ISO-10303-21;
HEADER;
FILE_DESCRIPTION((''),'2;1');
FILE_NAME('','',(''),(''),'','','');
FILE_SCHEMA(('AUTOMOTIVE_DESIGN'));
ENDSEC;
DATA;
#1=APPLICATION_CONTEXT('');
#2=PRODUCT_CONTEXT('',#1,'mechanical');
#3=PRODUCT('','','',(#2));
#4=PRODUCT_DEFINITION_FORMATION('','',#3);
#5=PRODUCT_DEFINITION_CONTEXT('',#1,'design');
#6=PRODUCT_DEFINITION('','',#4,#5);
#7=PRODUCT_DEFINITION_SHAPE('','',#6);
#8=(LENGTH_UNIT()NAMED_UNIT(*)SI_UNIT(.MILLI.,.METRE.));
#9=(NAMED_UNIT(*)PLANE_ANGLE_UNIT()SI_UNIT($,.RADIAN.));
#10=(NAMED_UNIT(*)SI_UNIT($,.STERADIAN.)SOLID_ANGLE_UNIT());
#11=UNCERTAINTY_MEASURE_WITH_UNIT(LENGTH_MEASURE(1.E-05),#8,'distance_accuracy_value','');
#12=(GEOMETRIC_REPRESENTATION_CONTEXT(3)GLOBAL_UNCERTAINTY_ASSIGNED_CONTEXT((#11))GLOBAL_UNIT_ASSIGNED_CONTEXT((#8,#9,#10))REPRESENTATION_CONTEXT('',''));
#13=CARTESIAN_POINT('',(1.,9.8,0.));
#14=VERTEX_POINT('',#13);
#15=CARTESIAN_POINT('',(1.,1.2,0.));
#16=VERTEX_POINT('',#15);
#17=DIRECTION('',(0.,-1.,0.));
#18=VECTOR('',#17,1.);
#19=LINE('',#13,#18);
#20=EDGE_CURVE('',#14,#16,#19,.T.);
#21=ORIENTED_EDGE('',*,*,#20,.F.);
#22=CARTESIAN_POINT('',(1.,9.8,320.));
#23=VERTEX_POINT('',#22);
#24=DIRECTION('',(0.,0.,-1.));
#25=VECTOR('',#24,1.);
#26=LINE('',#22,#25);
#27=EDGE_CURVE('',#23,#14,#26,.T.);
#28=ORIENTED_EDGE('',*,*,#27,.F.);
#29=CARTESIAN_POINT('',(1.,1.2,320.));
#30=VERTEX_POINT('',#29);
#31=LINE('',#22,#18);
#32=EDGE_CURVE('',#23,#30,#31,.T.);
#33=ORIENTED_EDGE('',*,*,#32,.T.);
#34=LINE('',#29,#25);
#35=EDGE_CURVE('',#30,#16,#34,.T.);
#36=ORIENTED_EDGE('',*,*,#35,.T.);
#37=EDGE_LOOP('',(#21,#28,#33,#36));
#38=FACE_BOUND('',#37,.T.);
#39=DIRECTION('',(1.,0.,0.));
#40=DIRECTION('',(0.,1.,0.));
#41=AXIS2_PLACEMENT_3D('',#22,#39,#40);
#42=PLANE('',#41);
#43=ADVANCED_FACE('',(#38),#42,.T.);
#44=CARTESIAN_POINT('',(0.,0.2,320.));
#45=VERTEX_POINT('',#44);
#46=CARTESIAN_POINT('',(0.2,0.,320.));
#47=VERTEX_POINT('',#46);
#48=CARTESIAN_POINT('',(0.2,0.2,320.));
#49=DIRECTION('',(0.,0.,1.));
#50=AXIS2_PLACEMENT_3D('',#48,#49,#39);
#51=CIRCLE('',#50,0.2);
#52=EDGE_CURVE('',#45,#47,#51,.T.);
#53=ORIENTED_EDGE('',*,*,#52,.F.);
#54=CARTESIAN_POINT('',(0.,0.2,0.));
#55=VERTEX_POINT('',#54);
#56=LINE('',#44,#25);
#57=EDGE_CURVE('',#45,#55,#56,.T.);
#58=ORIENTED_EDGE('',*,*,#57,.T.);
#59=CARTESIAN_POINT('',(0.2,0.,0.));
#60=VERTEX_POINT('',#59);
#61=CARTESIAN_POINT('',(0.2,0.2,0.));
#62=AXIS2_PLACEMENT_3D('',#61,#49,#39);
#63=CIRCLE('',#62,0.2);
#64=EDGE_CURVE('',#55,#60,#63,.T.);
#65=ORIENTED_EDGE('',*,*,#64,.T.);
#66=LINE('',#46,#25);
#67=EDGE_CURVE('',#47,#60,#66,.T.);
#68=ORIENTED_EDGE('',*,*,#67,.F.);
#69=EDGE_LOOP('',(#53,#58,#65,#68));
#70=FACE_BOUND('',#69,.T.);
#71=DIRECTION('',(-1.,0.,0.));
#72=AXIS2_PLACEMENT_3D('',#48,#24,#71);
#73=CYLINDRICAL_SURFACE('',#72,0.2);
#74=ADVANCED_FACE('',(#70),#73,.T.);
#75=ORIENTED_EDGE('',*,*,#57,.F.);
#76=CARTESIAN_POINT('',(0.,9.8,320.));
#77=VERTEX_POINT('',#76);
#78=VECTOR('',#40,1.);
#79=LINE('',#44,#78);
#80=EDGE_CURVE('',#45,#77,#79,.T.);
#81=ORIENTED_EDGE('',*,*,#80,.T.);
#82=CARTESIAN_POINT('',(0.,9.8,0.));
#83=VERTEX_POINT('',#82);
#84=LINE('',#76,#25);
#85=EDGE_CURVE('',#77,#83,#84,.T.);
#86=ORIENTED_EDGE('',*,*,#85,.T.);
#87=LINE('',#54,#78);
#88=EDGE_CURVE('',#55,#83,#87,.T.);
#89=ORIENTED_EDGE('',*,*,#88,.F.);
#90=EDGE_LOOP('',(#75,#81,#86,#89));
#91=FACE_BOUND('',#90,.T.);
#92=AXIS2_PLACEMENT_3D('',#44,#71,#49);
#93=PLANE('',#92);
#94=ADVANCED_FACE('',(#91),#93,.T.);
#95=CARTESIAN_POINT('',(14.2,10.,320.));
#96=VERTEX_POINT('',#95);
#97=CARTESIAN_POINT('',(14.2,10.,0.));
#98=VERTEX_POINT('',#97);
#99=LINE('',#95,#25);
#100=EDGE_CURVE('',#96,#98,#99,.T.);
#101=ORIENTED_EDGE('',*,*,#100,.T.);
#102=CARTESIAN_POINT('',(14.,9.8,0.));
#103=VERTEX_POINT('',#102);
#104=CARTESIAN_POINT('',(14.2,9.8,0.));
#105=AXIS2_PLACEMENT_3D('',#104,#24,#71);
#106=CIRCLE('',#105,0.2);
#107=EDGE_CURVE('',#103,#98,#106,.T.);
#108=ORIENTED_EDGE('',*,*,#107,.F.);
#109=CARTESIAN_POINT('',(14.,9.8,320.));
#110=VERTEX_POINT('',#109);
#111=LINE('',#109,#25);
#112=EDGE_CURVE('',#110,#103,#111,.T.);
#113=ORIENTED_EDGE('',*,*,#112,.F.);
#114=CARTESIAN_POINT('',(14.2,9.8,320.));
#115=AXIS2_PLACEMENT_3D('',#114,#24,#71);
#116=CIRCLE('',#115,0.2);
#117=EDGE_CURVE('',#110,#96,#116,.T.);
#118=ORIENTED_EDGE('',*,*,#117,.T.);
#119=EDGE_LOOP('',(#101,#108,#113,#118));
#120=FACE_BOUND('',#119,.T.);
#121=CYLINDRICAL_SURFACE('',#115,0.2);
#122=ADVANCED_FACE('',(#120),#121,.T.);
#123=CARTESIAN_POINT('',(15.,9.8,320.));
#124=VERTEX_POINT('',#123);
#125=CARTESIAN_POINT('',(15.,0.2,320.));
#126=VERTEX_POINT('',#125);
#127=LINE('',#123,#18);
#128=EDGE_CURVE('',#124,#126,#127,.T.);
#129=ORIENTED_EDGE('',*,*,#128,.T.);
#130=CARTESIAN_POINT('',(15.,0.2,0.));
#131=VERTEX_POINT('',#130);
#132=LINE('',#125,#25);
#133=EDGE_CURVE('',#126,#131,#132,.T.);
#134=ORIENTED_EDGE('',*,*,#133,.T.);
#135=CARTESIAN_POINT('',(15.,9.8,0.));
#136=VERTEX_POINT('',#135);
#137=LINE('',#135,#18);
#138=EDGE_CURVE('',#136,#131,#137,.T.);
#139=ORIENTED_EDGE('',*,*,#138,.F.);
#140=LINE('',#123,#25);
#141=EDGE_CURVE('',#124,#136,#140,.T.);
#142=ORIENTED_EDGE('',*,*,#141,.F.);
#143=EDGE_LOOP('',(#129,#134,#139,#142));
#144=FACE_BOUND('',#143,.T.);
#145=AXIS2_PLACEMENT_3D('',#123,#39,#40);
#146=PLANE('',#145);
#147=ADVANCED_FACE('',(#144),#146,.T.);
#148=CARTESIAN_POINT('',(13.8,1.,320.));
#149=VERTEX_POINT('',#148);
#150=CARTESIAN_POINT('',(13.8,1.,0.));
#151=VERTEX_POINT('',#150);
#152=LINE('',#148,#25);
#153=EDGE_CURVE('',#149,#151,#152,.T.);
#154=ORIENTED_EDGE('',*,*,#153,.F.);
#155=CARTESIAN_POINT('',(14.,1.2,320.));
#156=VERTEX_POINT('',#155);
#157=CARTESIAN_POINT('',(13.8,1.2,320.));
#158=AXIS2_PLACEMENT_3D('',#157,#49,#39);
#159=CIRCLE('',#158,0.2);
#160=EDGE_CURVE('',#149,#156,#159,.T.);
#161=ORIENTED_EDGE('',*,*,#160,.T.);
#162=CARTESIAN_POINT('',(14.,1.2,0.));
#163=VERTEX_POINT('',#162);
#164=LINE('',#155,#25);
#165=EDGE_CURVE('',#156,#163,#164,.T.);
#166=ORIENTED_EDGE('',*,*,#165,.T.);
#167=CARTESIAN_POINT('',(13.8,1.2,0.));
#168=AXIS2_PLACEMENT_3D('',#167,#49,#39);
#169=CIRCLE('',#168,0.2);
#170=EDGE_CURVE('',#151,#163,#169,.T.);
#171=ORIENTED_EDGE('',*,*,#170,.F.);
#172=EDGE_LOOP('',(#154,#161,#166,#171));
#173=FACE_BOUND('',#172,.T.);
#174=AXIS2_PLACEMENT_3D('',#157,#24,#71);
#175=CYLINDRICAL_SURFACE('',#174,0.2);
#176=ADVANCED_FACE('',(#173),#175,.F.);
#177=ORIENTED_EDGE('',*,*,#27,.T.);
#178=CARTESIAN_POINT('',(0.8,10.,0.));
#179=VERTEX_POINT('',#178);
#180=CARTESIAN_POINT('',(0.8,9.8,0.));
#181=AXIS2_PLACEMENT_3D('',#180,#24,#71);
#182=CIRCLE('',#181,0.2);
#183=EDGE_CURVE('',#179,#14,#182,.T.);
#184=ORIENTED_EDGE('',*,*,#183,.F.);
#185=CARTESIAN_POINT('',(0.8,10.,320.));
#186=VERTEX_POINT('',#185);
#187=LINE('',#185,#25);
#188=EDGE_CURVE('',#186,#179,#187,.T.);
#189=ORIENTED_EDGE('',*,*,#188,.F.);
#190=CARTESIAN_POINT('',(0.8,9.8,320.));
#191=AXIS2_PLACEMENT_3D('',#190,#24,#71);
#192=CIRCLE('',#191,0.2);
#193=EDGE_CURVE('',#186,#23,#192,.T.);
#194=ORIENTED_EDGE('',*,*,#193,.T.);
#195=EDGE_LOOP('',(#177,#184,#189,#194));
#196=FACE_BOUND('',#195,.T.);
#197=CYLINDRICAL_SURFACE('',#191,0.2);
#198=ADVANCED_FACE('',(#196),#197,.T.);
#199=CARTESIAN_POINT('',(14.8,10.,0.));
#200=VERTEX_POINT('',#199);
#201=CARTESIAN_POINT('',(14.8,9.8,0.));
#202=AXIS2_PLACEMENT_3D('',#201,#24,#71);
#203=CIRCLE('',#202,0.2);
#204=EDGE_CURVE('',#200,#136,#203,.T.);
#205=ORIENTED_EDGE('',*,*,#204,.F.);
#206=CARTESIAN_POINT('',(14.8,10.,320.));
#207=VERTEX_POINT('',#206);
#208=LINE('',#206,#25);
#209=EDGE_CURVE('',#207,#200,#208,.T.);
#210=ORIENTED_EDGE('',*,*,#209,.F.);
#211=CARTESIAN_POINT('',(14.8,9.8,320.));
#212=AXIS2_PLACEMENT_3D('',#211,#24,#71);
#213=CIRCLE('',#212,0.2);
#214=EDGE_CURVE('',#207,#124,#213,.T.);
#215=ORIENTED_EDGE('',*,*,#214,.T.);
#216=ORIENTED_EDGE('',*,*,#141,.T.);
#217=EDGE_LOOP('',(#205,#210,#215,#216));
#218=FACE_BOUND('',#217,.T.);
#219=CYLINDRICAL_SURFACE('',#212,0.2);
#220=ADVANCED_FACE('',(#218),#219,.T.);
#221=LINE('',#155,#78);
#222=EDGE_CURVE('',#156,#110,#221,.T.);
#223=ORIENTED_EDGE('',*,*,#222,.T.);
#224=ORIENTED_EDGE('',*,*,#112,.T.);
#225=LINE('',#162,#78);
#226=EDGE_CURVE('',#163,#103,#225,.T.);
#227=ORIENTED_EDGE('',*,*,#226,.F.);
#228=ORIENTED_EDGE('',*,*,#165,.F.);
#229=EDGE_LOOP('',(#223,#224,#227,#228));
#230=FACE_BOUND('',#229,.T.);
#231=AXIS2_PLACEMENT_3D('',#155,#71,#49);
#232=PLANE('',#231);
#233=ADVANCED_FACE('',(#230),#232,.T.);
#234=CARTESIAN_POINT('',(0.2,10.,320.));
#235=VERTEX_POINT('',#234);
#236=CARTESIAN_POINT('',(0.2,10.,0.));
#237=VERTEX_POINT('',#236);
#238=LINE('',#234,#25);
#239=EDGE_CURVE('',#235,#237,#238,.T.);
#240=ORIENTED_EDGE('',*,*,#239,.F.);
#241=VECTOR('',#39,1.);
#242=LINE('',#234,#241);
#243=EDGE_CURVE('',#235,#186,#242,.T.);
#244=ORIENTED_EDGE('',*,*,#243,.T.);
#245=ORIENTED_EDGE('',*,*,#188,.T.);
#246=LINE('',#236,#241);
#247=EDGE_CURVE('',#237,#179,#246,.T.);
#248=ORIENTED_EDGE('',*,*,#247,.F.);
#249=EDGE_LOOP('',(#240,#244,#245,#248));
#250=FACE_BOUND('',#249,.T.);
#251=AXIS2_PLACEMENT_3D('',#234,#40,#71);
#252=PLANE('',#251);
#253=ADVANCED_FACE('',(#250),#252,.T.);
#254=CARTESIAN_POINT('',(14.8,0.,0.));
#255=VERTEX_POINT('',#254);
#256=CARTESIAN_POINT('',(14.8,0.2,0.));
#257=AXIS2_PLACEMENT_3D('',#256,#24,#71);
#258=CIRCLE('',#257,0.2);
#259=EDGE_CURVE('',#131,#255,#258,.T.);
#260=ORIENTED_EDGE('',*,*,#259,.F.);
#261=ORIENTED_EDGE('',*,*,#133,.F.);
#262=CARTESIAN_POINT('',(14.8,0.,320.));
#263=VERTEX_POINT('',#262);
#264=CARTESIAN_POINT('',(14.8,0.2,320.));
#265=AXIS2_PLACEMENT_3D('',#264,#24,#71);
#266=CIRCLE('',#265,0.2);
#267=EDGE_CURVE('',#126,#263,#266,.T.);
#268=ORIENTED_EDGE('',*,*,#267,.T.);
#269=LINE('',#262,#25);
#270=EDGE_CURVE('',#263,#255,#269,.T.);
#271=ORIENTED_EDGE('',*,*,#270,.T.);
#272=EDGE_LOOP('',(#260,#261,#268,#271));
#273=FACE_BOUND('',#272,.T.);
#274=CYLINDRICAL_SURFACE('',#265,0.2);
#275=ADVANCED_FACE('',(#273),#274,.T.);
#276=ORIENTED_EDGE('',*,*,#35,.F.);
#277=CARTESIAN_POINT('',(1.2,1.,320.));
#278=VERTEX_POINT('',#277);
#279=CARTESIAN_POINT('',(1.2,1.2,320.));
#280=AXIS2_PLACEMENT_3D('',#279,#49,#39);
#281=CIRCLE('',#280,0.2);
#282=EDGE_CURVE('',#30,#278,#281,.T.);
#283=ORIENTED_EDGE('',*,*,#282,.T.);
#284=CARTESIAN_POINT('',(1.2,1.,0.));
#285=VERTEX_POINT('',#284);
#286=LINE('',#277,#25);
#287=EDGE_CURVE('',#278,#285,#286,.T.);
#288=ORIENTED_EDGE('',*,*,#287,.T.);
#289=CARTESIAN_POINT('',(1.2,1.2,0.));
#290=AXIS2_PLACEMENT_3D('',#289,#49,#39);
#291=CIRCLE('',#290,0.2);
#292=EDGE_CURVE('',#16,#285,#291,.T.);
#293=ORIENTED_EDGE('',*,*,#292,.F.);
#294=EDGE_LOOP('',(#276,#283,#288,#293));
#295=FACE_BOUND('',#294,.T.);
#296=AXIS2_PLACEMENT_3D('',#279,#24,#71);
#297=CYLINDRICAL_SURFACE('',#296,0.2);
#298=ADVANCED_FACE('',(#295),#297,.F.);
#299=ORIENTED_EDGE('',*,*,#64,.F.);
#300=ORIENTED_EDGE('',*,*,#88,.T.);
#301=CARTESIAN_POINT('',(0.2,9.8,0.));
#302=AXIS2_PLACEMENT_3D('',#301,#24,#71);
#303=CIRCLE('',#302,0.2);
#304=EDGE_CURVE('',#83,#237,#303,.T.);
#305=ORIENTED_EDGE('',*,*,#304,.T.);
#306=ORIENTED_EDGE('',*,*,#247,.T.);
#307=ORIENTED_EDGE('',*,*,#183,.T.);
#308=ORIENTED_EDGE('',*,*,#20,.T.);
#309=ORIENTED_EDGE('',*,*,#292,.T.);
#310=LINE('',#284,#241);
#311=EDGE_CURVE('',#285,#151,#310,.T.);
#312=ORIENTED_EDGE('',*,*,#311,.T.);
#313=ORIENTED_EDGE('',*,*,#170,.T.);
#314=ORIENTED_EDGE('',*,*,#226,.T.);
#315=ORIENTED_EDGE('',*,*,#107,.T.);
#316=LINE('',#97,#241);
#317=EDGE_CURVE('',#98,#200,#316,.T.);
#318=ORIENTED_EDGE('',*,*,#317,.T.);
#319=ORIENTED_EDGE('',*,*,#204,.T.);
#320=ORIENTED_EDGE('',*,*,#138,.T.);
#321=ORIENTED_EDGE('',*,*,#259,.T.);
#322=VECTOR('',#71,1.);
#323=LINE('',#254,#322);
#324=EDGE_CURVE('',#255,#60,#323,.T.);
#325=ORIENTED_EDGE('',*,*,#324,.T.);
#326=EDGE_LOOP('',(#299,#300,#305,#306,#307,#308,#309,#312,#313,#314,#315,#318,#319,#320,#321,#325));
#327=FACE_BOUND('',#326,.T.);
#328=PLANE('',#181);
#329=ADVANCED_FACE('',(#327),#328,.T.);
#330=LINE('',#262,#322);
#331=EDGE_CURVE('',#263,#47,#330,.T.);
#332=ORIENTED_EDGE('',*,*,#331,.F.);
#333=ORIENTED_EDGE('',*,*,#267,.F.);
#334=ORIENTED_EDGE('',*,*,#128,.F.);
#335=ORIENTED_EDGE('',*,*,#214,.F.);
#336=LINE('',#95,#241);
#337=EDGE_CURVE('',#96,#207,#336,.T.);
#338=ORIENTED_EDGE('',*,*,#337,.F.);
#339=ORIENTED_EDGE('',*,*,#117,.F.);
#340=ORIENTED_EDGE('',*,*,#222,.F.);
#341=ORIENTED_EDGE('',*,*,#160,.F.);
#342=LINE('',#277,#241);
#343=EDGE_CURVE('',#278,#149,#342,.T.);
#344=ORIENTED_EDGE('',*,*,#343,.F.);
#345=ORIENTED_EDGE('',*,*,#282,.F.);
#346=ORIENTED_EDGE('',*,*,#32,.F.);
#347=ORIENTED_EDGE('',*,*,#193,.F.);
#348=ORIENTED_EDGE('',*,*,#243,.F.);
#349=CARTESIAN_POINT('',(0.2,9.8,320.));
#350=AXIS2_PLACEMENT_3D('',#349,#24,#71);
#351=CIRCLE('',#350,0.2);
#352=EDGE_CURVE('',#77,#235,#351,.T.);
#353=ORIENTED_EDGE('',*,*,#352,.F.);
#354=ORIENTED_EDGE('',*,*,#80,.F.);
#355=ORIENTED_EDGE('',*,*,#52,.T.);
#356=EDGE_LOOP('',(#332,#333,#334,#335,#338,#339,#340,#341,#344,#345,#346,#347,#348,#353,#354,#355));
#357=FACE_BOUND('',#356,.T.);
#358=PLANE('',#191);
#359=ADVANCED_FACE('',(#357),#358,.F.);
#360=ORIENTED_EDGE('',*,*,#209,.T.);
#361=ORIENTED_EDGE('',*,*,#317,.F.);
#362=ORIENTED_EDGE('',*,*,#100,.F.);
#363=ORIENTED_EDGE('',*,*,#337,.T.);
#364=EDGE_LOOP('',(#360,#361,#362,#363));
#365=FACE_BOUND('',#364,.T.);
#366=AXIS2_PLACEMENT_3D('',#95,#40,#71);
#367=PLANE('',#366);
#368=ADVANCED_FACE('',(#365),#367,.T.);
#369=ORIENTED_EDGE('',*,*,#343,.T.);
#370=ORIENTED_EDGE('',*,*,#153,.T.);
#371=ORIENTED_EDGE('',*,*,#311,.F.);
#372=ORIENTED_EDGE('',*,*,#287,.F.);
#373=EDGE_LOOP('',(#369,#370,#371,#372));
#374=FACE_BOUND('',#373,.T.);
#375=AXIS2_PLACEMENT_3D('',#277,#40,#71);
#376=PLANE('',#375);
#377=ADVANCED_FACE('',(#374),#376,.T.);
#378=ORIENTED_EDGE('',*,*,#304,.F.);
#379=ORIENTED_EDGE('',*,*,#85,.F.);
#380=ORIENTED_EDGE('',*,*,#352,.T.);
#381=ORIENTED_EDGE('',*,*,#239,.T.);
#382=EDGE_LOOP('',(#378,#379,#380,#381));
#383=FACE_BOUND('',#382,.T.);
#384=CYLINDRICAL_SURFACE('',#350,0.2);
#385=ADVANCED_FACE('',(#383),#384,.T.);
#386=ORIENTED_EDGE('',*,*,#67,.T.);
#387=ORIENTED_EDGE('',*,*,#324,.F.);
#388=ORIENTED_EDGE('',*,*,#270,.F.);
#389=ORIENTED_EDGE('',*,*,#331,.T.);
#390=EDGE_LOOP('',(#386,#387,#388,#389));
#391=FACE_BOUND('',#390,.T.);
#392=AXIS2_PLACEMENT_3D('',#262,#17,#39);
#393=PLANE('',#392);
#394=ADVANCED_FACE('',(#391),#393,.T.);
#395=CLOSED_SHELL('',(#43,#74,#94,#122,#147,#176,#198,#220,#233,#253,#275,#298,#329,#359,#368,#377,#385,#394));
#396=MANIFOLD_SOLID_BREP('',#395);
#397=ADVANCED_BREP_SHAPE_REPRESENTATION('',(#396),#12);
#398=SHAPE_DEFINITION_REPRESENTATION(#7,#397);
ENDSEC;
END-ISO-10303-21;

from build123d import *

# Parameters (mm, degrees)
EXTRUDE_1_DEPTH = 320


with BuildPart() as part:
    # Sketch 400 → Бобышка-Вытянуть1 (new body)
    with BuildSketch(Plane.XY):
        with BuildLine():
            Line((0, 0.2), (0, 9.8))
            ThreePointArc((0, 9.8), (0.058578644, 9.941421356), (0.2, 10))
            Line((0.2, 10), (0.8, 10))
            ThreePointArc((0.8, 10), (0.941421356, 9.941421356), (1, 9.8))
            Line((1, 9.8), (1, 1.2))
            ThreePointArc((1, 1.2), (1.058578644, 1.058578644), (1.2, 1))
            Line((1.2, 1), (13.8, 1))
            ThreePointArc((13.8, 1), (13.941421356, 1.058578644), (14, 1.2))
            Line((14, 1.2), (14, 9.8))
            ThreePointArc((14, 9.8), (14.058578644, 9.941421356), (14.2, 10))
            Line((14.2, 10), (14.8, 10))
            ThreePointArc((14.8, 10), (14.941421356, 9.941421356), (15, 9.8))
            Line((15, 9.8), (15, 0.2))
            ThreePointArc((15, 0.2), (14.941421356, 0.058578644), (14.8, 0))
            Line((14.8, 0), (0.2, 0))
            ThreePointArc((0.2, 0), (0.058578644, 0.058578644), (0, 0.2))
        make_face()
    extrude(amount=EXTRUDE_1_DEPTH)


solid = part.part
